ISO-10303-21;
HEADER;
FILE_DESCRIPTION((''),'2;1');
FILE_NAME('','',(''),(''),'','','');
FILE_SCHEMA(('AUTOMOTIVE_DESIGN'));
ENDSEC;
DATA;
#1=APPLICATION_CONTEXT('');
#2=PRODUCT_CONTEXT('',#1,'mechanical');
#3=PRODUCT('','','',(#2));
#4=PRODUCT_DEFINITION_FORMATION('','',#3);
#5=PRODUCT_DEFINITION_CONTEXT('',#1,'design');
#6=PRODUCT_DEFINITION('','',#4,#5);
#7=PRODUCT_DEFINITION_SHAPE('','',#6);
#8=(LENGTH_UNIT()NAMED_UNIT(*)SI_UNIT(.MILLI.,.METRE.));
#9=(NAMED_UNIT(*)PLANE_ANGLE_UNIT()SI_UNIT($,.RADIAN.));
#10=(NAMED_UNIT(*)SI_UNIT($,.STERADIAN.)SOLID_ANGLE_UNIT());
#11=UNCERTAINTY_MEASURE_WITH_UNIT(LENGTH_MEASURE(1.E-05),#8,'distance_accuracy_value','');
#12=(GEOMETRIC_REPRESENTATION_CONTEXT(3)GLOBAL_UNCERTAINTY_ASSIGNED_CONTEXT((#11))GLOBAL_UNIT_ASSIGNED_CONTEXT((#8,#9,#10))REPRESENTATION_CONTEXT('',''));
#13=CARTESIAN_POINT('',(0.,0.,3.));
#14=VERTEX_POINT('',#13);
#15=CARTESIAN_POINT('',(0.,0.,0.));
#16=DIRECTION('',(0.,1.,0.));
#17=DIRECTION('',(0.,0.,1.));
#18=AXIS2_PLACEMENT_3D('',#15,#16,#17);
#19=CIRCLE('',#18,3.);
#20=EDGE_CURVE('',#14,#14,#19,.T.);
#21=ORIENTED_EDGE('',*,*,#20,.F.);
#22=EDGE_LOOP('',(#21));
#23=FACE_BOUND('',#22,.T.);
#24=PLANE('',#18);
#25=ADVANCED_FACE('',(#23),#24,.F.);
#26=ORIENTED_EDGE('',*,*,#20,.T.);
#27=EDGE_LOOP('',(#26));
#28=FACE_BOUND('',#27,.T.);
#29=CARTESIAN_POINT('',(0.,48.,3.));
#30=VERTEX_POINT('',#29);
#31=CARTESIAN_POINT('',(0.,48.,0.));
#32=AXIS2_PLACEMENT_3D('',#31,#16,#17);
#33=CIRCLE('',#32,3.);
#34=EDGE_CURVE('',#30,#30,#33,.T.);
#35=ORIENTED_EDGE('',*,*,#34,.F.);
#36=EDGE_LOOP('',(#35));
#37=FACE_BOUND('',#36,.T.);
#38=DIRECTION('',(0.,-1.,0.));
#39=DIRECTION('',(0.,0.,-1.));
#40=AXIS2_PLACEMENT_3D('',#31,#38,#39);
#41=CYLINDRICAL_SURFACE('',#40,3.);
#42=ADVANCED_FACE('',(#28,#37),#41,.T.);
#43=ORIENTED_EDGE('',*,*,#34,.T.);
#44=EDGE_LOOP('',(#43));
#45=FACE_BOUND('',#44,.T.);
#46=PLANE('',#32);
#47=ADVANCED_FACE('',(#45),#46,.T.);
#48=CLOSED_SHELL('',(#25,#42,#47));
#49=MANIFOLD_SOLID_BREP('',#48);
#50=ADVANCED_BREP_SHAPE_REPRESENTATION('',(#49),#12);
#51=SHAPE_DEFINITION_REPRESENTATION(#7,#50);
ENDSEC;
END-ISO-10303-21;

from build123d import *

# Parameters (mm, degrees)
SKETCH1_R           = 3
BOSS_EXTRUDE1_DEPTH = 48


with BuildPart() as part:
    # Sketch1 → Boss-Extrude1 (new body)
    with BuildSketch(Plane(origin=(0, 0, 0), x_dir=(1, 0, 0), z_dir=(0, 1, 0))):
        with Locations(Location((0, 0, 0), (0, 0, 270))):  # turned: the seam where the file's is
            Circle(SKETCH1_R)
    extrude(amount=BOSS_EXTRUDE1_DEPTH)


solid = part.part
